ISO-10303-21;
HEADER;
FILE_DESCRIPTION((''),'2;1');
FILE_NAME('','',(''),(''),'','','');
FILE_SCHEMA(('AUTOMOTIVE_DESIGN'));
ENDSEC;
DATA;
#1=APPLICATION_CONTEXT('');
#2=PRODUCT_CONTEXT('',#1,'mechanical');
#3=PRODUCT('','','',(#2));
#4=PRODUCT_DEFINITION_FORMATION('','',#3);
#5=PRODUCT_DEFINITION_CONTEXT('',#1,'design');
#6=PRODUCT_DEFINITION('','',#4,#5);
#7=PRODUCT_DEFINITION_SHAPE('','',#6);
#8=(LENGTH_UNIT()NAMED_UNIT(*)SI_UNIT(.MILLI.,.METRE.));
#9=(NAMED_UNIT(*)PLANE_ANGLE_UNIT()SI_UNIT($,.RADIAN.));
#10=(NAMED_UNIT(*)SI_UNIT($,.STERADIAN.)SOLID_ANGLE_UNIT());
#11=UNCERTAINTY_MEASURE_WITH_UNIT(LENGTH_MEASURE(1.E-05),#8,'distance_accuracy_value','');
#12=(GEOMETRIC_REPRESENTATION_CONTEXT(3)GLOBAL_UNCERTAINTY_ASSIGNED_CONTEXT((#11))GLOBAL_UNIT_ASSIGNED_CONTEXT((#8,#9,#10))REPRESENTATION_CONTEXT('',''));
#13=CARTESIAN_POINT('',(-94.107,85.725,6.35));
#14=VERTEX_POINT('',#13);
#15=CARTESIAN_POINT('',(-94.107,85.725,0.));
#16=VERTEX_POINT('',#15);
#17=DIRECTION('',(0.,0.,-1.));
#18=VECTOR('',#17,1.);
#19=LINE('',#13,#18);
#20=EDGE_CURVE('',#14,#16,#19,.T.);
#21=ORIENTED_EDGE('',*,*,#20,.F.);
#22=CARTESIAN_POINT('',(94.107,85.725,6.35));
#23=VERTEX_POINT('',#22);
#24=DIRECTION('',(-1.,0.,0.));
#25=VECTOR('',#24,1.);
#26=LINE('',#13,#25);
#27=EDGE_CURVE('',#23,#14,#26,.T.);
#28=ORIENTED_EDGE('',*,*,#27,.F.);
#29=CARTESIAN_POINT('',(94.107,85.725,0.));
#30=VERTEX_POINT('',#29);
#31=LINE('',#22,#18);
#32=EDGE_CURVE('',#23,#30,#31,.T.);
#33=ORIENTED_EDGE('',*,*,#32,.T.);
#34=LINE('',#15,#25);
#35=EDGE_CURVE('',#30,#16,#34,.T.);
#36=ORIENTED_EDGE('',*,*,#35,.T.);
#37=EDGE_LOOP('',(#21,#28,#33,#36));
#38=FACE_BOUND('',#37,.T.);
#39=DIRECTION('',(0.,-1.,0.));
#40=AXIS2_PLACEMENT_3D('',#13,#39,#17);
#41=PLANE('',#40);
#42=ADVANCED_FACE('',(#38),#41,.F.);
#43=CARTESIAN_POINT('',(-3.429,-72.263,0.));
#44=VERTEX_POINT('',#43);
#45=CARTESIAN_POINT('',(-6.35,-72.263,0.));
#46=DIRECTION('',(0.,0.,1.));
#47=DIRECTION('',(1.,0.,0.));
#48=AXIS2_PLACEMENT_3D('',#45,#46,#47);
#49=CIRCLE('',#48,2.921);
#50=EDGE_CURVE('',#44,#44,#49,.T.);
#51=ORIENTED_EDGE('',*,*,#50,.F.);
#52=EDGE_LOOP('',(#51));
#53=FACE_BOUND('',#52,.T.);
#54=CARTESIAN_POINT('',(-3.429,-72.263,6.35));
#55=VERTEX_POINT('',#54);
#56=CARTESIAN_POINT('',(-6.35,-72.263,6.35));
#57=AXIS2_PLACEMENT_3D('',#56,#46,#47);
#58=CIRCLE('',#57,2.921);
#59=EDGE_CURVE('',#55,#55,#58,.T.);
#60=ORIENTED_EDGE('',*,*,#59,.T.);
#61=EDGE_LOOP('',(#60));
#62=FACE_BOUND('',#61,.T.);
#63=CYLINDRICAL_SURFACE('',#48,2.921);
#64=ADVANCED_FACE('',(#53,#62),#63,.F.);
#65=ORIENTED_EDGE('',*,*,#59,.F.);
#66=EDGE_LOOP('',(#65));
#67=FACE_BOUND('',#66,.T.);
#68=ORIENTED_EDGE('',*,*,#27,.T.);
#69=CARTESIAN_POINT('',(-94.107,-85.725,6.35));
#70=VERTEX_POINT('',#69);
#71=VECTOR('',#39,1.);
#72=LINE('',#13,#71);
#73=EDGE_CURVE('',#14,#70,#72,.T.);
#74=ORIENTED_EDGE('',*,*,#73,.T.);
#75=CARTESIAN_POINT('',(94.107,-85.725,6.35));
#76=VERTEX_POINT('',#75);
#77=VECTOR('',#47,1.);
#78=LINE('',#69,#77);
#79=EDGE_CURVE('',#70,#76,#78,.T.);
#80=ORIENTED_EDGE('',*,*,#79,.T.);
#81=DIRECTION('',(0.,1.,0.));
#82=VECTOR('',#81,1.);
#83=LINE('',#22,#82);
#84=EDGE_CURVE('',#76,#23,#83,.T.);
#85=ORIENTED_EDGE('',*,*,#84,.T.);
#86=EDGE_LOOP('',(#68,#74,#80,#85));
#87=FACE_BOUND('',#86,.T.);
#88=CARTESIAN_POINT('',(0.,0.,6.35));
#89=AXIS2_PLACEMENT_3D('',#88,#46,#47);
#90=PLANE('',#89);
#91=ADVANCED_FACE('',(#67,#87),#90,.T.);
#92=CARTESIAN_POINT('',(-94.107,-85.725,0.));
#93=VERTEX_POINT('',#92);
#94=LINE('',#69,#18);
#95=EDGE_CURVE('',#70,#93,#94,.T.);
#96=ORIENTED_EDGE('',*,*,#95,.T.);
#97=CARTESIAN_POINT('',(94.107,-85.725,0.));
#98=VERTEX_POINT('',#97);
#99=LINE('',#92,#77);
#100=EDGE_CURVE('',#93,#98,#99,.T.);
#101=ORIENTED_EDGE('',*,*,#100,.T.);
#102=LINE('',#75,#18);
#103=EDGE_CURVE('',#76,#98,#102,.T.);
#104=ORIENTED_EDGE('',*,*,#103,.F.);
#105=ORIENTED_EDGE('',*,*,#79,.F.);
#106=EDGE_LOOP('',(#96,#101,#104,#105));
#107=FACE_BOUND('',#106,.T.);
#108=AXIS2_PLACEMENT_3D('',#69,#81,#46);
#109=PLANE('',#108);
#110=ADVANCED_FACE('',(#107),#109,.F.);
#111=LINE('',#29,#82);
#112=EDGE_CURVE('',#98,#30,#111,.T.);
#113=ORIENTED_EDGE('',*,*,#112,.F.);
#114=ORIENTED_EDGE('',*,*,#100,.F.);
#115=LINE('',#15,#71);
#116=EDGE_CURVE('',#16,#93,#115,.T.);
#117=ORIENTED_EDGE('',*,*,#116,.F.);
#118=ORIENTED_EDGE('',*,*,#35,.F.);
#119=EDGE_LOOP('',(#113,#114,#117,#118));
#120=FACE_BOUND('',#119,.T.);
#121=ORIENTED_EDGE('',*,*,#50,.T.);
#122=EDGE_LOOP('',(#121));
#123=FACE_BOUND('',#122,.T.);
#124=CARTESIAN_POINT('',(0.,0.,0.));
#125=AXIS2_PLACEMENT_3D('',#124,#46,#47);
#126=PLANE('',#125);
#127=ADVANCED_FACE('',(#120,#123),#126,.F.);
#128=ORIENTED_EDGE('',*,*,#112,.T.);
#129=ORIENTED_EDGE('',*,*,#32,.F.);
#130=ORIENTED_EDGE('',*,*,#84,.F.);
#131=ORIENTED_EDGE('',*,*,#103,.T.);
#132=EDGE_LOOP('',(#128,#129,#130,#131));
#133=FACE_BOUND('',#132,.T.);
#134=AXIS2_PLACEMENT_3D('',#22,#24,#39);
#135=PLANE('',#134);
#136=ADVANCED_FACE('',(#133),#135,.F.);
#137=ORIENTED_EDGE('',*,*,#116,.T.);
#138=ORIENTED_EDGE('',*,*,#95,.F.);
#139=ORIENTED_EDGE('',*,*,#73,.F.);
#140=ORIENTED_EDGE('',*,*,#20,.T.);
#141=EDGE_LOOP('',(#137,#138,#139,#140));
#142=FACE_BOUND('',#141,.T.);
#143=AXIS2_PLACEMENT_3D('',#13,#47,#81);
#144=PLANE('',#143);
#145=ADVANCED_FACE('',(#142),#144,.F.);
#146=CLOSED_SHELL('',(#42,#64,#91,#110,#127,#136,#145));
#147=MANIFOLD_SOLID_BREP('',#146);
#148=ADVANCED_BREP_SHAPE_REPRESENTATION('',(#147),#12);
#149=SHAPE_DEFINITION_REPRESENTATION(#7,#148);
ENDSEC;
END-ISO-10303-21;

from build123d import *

# Parameters (mm, degrees)
SKETCH1_W           = 188.214
SKETCH1_H           = 171.45
BOSS_EXTRUDE1_DEPTH = 6.35
SKETCH2_R           = 2.921
CUT_EXTRUDE1_DEPTH  = 128.456759625


with BuildPart() as part:
    # Sketch1 → Boss-Extrude1 (new body)
    with BuildSketch(Plane.XY):
        Rectangle(SKETCH1_W, SKETCH1_H)
    extrude(amount=BOSS_EXTRUDE1_DEPTH)

    # Sketch2 → Cut-Extrude1 (cut, through all)
    with BuildSketch(Plane.XY.offset(6.35)):
        with Locations((-6.35, -72.263)):
            Circle(SKETCH2_R)
    extrude(amount=-CUT_EXTRUDE1_DEPTH, mode=Mode.SUBTRACT)


solid = part.part
